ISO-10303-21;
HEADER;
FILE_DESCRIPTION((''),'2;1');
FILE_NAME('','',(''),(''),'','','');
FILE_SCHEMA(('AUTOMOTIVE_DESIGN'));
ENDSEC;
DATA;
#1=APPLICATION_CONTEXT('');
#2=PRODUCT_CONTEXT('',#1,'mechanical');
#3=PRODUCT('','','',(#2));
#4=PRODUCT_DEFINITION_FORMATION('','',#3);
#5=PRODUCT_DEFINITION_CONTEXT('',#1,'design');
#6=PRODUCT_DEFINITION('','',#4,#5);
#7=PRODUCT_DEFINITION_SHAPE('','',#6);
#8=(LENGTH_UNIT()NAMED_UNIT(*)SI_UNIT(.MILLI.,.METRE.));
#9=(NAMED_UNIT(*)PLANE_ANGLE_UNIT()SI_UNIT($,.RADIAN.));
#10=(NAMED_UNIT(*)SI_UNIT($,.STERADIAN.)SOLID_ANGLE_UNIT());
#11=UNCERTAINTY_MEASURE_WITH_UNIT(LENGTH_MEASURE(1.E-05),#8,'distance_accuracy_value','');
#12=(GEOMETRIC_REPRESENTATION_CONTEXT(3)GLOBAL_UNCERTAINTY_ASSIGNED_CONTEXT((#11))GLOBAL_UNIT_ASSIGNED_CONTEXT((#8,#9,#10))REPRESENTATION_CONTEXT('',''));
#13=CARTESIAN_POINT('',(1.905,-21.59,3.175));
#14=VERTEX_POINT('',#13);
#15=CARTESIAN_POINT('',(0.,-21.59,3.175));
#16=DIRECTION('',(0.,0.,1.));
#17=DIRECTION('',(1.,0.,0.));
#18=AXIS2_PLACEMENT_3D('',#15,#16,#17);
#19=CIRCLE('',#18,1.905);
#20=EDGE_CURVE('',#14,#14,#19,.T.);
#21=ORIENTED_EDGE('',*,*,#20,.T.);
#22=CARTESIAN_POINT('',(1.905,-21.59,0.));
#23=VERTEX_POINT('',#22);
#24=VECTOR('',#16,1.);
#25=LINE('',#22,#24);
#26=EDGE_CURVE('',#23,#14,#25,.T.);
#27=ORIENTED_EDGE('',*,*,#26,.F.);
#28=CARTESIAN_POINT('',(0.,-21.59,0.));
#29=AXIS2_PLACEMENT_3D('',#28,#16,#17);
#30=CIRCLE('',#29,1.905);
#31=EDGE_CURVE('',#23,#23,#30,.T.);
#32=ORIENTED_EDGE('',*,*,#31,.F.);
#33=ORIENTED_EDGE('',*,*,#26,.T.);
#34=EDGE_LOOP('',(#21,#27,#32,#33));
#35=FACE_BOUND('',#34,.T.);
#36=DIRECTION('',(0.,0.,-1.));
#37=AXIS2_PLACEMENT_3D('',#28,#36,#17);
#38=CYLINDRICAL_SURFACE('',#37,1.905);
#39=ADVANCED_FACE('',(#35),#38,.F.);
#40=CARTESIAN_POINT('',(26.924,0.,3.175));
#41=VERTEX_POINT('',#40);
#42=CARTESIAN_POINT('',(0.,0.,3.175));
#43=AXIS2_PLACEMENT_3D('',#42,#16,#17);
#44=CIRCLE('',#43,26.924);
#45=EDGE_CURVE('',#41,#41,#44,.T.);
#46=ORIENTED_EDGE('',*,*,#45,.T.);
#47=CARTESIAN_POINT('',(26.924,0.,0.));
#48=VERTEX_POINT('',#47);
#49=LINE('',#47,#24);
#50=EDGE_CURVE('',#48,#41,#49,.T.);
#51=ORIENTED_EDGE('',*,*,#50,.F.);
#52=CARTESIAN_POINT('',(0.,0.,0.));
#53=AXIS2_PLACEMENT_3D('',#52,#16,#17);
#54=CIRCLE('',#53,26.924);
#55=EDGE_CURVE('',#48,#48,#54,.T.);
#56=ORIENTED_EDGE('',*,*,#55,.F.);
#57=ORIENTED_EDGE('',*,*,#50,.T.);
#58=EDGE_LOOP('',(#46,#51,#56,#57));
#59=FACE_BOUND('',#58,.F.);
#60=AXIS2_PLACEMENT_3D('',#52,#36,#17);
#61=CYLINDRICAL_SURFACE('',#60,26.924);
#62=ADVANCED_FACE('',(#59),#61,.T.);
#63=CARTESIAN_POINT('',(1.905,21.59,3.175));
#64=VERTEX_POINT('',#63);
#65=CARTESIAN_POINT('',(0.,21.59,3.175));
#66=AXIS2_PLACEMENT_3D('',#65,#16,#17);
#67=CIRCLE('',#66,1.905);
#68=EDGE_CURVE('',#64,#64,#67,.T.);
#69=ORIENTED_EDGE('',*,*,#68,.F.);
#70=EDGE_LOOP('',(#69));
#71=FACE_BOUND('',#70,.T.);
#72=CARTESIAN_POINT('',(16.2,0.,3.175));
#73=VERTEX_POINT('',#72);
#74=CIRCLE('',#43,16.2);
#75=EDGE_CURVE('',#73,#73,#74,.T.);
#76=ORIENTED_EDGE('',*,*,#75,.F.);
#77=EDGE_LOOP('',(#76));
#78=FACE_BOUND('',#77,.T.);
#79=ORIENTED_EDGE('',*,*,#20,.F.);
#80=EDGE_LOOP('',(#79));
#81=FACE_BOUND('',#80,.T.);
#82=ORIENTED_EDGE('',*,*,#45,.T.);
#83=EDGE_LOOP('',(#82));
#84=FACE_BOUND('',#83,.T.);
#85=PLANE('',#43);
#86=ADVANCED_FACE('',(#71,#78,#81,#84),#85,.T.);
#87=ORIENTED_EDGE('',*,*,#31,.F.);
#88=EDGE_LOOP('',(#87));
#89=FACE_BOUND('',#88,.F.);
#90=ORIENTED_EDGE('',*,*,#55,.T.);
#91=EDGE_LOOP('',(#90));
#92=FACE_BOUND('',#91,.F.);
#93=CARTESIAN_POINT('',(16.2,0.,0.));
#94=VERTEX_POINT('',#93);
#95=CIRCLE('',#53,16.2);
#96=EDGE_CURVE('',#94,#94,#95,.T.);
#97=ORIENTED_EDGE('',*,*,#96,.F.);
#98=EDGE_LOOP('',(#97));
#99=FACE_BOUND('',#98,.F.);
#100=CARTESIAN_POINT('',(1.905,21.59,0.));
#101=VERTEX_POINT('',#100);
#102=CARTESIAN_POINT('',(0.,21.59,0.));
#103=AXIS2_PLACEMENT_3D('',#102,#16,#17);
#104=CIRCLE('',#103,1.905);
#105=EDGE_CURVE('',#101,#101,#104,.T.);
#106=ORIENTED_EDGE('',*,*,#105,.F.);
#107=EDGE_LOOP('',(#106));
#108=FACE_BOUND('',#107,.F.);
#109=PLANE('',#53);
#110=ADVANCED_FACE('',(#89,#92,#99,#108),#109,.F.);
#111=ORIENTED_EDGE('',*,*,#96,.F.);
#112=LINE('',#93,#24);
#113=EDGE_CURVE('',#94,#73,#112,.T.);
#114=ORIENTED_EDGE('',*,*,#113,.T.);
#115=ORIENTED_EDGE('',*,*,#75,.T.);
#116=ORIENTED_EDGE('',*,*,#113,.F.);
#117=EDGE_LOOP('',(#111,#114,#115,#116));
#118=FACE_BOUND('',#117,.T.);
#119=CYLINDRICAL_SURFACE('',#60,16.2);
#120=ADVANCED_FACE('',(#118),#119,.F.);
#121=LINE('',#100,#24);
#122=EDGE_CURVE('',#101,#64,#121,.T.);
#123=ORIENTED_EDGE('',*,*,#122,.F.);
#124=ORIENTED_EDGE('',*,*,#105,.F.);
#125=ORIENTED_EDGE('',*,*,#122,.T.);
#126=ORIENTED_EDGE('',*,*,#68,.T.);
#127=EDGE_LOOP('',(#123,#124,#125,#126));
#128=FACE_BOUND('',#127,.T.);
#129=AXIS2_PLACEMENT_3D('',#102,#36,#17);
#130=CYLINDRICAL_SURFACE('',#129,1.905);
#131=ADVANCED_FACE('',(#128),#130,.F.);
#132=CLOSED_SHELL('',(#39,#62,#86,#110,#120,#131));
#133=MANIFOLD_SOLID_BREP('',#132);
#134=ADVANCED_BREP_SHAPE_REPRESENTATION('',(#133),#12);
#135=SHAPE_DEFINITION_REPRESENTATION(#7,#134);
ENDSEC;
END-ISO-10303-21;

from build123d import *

# Parameters (mm, degrees)
SKETCH1_R           = 26.924
SKETCH1_R_2         = 16.2
SKETCH1_R_3         = 1.905
BOSS_EXTRUDE1_DEPTH = 3.175


with BuildPart() as part:
    # Sketch1 → Boss-Extrude1 (new body)
    with BuildSketch(Plane.XY):
        Circle(SKETCH1_R)
        Circle(SKETCH1_R_2, mode=Mode.SUBTRACT)
        with Locations((0, 21.59)):
            Circle(SKETCH1_R_3, mode=Mode.SUBTRACT)
        with Locations((0, -21.59)):
            Circle(SKETCH1_R_3, mode=Mode.SUBTRACT)
    extrude(amount=BOSS_EXTRUDE1_DEPTH)


solid = part.part
